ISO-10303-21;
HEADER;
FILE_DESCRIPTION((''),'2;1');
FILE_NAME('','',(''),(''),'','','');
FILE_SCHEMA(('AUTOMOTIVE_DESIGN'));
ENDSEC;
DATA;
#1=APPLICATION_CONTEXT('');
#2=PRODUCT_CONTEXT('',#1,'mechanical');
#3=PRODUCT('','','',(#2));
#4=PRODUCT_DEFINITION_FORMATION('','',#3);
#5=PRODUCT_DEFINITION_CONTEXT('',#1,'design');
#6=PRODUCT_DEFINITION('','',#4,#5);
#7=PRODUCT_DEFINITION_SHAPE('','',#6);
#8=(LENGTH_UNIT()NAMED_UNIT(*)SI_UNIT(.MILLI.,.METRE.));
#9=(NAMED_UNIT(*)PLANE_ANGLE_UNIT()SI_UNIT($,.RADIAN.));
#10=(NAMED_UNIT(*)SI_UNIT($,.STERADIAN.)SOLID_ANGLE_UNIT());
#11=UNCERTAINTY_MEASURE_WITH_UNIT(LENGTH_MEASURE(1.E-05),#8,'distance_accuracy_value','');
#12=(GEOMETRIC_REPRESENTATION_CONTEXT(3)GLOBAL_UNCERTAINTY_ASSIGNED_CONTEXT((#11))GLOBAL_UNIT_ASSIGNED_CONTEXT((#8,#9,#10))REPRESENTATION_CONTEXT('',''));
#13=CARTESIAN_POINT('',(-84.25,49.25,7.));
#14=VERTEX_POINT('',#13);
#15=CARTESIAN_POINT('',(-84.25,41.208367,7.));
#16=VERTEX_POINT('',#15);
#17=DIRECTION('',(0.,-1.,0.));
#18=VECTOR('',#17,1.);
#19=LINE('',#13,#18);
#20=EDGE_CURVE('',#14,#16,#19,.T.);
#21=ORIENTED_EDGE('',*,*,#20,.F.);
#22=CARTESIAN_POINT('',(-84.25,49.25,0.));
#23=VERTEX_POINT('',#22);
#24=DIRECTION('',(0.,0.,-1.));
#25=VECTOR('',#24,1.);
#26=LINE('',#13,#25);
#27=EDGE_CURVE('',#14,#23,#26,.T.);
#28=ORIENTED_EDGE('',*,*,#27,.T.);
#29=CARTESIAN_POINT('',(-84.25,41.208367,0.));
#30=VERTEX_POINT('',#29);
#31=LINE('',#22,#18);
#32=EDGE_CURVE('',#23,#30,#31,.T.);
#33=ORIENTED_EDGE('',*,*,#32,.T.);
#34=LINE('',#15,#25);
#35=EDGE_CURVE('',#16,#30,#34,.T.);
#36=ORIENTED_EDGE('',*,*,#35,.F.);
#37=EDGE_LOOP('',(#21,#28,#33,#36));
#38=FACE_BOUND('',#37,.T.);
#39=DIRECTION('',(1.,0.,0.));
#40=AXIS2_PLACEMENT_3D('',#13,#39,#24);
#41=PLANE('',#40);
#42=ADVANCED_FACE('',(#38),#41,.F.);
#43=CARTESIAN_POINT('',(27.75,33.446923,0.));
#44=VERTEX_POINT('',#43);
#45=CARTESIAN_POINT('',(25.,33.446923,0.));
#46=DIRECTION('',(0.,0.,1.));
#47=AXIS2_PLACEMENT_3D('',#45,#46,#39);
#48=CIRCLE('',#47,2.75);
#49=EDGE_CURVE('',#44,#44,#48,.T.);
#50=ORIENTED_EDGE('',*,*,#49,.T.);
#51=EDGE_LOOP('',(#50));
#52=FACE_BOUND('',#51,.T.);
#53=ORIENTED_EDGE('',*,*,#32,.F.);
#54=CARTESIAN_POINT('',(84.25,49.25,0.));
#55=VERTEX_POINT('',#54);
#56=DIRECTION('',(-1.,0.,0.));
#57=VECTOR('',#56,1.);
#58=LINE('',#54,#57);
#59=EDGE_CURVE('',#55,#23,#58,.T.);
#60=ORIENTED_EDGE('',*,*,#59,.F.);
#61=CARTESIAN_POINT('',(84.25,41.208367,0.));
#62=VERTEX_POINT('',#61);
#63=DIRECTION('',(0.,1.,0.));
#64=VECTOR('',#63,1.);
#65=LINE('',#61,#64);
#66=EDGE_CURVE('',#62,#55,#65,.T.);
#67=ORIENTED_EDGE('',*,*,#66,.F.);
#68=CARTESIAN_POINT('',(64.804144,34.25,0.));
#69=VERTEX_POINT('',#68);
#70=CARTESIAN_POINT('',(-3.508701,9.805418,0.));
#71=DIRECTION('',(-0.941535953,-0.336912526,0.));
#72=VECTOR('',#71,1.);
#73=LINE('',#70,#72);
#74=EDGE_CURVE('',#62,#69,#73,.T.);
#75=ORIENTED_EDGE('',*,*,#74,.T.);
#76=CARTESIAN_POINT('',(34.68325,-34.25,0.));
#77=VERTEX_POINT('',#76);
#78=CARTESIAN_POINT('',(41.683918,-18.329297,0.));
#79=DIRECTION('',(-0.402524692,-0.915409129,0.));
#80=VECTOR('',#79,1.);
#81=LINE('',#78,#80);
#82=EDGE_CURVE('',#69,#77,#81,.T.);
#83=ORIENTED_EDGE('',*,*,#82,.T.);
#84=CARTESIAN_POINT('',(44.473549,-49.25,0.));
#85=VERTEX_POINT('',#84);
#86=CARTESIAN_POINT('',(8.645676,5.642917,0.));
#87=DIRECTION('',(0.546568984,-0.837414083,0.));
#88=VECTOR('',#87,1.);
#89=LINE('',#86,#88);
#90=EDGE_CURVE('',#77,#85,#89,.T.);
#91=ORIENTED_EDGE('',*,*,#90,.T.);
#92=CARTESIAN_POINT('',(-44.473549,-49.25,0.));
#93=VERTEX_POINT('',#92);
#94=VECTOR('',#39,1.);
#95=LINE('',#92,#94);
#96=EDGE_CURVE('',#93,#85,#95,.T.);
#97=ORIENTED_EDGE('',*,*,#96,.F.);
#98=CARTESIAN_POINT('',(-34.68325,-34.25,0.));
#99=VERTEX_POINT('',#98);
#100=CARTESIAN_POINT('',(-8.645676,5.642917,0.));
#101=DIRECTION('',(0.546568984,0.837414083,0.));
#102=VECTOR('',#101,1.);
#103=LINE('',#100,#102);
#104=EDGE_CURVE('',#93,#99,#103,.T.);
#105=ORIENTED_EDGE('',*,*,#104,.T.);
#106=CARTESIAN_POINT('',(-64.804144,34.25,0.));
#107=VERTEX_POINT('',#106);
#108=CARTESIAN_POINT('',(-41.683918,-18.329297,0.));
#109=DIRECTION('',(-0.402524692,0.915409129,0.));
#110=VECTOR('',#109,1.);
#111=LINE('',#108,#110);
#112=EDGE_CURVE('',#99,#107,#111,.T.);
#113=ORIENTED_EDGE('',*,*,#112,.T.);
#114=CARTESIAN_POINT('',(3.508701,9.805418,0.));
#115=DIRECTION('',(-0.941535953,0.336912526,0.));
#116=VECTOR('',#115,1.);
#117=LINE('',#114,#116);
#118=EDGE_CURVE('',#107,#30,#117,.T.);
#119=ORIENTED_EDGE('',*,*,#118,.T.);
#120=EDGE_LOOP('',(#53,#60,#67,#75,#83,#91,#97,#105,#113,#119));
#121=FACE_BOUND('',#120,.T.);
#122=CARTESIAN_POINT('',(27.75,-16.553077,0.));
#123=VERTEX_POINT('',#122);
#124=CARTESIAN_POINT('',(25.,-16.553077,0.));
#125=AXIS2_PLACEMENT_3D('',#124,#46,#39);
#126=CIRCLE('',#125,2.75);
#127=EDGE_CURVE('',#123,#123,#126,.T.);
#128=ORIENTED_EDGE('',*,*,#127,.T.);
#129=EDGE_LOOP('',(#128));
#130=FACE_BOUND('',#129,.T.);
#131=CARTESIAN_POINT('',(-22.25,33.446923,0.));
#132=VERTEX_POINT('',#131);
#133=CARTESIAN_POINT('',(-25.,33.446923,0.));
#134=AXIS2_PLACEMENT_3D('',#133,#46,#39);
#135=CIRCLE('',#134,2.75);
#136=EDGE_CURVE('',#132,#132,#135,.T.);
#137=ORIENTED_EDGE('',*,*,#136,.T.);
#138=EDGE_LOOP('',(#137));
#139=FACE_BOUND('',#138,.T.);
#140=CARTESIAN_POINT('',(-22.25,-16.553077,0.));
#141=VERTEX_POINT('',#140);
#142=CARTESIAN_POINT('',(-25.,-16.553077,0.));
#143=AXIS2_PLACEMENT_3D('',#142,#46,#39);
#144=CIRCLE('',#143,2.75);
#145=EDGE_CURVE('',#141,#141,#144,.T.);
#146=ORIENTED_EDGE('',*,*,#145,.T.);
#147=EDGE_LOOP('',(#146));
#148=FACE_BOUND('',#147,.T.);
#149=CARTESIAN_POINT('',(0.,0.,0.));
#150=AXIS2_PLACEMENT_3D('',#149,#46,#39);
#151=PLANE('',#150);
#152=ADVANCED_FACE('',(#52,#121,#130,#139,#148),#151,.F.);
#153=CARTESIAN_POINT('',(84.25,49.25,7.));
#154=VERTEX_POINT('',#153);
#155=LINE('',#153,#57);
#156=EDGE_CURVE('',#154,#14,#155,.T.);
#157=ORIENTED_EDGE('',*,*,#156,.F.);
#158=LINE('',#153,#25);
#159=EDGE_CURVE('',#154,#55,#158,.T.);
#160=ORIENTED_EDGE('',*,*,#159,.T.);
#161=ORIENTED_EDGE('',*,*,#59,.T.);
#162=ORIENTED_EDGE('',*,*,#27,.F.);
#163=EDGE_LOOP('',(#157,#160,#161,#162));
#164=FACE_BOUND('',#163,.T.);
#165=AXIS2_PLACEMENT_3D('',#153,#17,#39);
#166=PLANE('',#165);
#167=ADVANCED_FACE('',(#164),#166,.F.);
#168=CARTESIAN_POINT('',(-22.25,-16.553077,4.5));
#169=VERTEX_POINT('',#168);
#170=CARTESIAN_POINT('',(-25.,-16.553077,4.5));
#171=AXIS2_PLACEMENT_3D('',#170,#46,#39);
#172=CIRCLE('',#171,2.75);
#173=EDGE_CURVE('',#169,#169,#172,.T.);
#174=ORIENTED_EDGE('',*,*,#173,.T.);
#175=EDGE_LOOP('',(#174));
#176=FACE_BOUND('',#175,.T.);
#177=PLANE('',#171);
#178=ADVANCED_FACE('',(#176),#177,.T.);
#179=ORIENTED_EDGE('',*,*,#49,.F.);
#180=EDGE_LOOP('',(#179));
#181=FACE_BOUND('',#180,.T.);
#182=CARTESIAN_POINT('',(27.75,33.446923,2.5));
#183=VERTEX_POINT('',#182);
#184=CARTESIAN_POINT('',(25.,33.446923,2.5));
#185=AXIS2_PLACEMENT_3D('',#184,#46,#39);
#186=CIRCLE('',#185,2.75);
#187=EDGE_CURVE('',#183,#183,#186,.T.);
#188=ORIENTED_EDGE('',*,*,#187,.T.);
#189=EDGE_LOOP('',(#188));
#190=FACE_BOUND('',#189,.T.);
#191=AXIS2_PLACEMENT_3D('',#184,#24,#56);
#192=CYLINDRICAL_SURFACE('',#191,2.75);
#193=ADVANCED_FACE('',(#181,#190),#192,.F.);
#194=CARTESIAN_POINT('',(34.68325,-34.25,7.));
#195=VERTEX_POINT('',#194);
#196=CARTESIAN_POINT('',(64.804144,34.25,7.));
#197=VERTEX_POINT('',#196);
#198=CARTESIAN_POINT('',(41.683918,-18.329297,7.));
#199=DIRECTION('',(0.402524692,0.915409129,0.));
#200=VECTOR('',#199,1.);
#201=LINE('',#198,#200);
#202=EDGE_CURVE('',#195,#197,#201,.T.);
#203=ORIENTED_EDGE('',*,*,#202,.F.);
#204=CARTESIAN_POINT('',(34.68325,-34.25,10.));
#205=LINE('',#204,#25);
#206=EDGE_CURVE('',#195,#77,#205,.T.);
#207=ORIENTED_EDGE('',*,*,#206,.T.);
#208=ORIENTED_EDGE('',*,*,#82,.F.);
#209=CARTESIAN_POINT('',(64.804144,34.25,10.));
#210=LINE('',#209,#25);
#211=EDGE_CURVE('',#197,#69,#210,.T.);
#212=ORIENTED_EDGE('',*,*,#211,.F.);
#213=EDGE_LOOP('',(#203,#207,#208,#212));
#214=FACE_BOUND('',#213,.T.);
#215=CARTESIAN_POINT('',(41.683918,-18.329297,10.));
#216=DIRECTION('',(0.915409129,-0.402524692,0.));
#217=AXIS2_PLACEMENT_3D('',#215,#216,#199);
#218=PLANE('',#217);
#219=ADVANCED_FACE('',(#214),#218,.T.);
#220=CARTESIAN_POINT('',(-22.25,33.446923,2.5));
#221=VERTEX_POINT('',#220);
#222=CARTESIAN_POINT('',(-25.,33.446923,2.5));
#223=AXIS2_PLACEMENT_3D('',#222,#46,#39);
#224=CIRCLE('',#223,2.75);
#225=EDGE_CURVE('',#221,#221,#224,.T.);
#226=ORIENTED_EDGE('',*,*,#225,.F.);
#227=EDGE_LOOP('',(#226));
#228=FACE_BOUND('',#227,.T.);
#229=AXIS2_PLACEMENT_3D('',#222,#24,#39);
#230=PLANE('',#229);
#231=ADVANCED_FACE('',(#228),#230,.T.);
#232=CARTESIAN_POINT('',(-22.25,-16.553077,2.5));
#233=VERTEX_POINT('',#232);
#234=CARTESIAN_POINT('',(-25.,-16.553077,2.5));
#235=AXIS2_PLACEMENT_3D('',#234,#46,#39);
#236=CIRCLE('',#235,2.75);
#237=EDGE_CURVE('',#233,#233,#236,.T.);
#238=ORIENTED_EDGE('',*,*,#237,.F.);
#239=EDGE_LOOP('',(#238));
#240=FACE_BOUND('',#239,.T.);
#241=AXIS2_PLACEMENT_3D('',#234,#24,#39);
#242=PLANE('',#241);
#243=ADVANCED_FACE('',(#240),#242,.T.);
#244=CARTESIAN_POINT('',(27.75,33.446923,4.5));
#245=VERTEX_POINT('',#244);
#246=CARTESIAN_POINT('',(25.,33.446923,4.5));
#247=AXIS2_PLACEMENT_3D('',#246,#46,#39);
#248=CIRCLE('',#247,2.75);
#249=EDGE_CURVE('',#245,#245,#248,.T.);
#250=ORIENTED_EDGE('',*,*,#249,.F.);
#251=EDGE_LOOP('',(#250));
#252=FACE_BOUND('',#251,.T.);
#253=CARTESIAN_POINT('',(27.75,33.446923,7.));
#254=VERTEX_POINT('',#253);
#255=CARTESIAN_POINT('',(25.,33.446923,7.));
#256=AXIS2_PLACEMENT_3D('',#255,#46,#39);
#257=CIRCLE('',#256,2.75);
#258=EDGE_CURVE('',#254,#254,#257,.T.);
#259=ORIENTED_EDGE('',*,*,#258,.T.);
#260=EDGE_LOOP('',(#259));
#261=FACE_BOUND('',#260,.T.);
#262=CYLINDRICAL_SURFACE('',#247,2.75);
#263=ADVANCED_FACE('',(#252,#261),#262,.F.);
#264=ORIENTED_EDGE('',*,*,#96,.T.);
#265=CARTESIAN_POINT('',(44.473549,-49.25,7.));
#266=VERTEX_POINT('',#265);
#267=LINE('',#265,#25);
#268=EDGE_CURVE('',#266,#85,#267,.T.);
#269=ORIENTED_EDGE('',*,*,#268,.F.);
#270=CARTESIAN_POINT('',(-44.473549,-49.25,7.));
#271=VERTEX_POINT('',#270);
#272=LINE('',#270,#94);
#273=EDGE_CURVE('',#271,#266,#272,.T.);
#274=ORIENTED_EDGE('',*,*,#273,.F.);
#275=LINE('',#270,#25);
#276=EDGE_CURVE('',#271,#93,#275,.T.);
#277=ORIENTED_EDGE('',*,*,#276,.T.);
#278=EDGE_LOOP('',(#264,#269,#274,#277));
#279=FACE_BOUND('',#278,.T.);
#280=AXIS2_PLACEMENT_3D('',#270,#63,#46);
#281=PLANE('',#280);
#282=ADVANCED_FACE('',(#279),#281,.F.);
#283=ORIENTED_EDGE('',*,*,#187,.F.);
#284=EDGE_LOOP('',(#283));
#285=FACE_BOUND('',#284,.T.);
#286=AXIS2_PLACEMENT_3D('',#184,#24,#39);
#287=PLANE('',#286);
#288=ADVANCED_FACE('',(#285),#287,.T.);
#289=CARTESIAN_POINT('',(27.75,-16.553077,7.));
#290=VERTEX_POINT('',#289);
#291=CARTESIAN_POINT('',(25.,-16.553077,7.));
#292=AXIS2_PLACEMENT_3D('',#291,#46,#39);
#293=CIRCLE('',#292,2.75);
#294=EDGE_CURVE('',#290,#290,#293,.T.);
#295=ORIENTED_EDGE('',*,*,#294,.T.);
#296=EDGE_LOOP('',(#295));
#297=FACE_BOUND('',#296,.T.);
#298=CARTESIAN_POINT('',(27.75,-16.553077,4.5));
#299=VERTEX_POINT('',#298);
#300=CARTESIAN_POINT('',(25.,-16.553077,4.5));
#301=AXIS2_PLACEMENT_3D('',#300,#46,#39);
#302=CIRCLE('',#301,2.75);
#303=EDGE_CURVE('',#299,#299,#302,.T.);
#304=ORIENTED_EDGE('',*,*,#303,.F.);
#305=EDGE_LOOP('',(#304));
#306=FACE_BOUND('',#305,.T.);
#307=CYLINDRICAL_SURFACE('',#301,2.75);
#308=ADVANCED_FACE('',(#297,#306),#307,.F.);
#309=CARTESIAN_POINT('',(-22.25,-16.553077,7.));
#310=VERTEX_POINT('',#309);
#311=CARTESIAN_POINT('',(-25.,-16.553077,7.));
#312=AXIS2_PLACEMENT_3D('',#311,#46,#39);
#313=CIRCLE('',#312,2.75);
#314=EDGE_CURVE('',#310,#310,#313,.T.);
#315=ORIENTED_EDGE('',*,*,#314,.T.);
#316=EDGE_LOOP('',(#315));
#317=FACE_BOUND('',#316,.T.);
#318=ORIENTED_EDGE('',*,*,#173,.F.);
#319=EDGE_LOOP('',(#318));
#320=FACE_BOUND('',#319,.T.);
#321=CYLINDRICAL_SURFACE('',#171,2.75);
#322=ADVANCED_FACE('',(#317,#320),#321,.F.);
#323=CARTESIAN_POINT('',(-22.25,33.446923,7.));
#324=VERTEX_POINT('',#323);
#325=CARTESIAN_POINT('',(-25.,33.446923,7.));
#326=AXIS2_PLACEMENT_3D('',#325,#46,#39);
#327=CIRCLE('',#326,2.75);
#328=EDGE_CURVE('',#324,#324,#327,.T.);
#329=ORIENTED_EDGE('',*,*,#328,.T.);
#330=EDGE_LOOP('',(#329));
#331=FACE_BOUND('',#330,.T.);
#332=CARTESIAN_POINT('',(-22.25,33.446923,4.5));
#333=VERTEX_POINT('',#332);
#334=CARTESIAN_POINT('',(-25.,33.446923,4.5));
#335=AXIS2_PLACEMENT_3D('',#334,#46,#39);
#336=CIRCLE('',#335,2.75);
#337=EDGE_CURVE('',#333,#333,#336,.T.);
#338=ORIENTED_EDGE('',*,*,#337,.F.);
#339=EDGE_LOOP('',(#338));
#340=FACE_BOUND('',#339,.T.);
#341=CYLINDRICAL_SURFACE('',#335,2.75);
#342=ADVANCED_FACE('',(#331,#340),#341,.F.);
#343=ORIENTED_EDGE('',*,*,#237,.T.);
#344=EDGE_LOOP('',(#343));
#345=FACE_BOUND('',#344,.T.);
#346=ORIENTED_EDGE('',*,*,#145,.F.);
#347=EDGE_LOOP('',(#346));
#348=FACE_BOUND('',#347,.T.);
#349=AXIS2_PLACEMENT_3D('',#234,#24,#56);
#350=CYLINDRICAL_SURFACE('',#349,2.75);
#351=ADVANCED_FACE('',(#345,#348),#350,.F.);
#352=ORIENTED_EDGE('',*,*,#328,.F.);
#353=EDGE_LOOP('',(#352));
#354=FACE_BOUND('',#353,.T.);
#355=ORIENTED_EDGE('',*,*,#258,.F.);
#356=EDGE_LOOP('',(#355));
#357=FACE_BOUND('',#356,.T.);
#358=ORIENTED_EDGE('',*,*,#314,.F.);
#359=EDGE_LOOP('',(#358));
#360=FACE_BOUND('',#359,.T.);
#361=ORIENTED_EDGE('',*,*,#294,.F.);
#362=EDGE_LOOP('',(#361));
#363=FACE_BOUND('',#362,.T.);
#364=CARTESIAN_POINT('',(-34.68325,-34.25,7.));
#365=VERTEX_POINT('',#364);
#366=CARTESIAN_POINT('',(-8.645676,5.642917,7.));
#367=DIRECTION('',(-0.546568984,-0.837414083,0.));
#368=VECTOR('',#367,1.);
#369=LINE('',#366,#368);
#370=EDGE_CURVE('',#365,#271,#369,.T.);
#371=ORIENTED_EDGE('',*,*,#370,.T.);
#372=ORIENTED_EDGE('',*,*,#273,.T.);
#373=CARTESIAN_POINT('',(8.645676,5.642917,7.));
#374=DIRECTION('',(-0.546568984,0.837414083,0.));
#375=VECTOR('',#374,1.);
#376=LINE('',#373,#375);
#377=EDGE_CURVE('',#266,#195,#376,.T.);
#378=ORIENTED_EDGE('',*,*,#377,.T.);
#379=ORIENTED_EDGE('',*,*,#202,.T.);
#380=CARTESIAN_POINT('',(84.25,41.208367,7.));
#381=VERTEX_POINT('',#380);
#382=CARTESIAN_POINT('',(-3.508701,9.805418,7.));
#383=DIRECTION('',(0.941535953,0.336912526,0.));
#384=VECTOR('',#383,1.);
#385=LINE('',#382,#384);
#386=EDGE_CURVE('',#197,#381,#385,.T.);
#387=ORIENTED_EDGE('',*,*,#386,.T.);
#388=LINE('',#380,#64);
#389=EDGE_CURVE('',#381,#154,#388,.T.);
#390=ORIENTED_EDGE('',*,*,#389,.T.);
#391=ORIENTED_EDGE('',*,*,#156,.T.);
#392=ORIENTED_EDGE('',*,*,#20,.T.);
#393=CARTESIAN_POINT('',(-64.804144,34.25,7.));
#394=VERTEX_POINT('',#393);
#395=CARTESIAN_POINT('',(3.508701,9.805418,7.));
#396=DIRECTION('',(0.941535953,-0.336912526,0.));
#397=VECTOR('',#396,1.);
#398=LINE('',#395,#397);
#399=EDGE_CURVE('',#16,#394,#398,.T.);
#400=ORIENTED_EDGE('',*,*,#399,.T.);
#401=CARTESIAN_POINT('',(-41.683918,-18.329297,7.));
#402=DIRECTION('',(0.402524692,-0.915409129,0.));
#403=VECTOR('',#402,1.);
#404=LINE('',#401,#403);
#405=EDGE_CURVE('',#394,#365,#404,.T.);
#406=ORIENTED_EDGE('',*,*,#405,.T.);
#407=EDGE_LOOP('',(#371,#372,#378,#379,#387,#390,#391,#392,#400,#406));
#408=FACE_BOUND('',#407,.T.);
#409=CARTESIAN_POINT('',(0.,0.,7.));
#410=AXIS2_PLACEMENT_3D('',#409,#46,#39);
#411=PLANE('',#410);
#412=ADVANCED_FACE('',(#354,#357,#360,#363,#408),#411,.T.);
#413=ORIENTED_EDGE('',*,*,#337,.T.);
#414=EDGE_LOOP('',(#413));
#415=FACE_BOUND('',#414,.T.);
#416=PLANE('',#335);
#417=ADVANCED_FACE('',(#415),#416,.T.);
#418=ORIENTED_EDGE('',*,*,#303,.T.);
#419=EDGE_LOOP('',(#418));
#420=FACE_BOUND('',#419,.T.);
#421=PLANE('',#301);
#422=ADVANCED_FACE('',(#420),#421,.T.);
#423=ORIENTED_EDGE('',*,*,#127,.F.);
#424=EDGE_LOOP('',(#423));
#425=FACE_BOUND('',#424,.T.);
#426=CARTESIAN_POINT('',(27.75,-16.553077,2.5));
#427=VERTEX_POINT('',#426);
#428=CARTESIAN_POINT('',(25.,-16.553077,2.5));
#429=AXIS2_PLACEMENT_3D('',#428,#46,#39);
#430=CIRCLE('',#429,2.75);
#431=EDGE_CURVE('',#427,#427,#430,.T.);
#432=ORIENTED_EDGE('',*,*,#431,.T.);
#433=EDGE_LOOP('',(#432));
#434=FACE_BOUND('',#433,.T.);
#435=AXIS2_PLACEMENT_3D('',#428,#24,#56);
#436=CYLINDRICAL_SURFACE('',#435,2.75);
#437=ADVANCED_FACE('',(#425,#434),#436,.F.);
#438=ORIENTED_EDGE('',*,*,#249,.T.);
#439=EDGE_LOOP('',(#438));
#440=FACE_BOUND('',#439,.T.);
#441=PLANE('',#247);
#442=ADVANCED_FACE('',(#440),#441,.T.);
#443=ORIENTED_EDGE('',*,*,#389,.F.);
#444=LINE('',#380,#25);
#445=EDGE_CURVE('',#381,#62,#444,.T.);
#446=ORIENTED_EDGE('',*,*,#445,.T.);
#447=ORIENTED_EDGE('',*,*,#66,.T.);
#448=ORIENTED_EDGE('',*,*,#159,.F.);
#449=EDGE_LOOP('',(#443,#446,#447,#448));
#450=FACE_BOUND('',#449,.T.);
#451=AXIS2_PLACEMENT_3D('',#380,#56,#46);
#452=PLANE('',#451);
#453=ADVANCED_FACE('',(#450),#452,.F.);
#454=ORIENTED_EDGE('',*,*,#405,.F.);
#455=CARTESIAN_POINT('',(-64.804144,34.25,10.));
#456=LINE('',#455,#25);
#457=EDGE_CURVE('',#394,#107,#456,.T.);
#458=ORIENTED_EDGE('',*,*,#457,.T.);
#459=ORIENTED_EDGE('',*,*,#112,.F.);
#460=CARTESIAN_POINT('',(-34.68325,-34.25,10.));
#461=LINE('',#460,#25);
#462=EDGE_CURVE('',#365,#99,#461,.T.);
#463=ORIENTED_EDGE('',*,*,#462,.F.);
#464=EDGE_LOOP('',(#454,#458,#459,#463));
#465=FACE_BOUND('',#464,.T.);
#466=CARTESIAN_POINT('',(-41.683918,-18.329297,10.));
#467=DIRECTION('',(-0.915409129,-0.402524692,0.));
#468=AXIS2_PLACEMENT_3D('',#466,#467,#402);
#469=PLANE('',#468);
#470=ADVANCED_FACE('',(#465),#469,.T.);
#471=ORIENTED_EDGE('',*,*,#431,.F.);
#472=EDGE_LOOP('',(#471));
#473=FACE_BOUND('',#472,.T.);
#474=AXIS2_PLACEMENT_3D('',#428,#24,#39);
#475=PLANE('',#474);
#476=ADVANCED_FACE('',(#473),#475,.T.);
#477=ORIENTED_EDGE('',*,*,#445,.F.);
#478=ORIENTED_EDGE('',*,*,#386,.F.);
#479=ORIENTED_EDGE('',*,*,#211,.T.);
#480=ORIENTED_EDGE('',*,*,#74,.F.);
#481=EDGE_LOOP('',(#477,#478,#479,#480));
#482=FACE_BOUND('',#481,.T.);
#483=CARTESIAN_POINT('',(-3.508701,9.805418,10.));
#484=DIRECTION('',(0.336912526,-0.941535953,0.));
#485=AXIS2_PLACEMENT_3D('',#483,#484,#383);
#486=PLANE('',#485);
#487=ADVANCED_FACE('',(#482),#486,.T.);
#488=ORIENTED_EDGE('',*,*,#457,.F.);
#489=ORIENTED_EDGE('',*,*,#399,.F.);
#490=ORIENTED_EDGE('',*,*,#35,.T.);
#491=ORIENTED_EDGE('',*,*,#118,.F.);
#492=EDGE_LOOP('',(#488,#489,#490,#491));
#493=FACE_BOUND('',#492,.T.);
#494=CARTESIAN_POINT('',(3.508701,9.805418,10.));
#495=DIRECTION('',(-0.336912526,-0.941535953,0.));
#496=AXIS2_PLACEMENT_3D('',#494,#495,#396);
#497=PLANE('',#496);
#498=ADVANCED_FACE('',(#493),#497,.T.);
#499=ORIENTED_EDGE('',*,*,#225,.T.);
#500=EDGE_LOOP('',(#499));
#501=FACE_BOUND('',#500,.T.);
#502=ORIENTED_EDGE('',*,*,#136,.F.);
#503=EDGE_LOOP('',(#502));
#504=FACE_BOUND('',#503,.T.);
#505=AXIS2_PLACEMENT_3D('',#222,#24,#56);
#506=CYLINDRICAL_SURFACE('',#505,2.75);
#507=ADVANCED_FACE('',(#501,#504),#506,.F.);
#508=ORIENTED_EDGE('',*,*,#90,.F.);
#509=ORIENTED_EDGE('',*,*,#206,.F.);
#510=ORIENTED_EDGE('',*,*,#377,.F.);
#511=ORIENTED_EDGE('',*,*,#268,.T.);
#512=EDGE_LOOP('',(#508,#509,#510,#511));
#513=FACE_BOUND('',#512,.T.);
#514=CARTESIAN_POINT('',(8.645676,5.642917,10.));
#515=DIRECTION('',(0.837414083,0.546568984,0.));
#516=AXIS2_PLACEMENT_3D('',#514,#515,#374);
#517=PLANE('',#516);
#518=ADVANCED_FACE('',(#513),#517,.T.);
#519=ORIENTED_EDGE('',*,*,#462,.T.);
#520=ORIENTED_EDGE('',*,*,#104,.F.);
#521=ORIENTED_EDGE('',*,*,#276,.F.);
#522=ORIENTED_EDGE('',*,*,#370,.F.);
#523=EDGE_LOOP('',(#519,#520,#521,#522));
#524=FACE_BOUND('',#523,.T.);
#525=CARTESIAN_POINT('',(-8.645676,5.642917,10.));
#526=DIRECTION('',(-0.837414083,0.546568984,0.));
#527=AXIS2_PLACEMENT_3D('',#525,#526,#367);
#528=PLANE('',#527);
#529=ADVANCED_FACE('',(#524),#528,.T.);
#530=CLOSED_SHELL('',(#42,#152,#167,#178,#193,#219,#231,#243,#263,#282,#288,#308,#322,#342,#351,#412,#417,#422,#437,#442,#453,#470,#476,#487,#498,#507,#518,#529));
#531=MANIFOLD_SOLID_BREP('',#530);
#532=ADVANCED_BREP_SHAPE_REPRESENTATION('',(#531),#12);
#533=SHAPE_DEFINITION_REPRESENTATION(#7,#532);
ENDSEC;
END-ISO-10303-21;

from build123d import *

# Parameters (mm, degrees)
BOSS_EXTRUDE1_DEPTH = 7
CUT_EXTRUDE1_DEPTH  = 10
SKETCH3_R           = 2.75
CUT_EXTRUDE2_DEPTH  = 2.5


with BuildPart() as part:
    # Sketch1 → Boss-Extrude1 (new body)
    with BuildSketch(Plane.XY):
        Polygon((-84.25, 41.208366892), (-44.473549128, -49.25), (44.473549128, -49.25), (84.25, 41.208366892), (84.25, 49.25), (-84.25, 49.25), align=None)
    extrude(amount=BOSS_EXTRUDE1_DEPTH)

    # Sketch2 → Cut-Extrude1 (cut)
    with BuildSketch(Plane(origin=(0, 0, 0), x_dir=(-1, 0, 0), z_dir=(0, 0, -1))):
        Polygon((44.473549128, -49.25), (34.683249526, -34.25), (64.804143572, 34.25), (84.25, 41.208366892), align=None)
        Polygon((-64.804143572, 34.25), (-34.683249526, -34.25), (-44.473549128, -49.25), (-84.25, 41.208366892), align=None)
    extrude(amount=-CUT_EXTRUDE1_DEPTH, mode=Mode.SUBTRACT)

    # Sketch3 → Cut-Extrude2 (cut)
    with BuildSketch(Plane.XY.offset(7)):
        with Locations((25, 33.446923075)):
            Circle(SKETCH3_R)
        with Locations((-25, 33.446923075)):
            Circle(SKETCH3_R)
        with Locations((-25, -16.553076925)):
            Circle(SKETCH3_R)
        with Locations((25, -16.553076925)):
            Circle(SKETCH3_R)
    cut_extrude2 = extrude(amount=-CUT_EXTRUDE2_DEPTH, mode=Mode.SUBTRACT)

    # Mirror1: Cut-Extrude2 across plane
    add(cut_extrude2.mirror(Plane(origin=(0, 0, 3.5), x_dir=(1, 0, 0), z_dir=(0, 0, -1))), mode=Mode.SUBTRACT)


solid = part.part
